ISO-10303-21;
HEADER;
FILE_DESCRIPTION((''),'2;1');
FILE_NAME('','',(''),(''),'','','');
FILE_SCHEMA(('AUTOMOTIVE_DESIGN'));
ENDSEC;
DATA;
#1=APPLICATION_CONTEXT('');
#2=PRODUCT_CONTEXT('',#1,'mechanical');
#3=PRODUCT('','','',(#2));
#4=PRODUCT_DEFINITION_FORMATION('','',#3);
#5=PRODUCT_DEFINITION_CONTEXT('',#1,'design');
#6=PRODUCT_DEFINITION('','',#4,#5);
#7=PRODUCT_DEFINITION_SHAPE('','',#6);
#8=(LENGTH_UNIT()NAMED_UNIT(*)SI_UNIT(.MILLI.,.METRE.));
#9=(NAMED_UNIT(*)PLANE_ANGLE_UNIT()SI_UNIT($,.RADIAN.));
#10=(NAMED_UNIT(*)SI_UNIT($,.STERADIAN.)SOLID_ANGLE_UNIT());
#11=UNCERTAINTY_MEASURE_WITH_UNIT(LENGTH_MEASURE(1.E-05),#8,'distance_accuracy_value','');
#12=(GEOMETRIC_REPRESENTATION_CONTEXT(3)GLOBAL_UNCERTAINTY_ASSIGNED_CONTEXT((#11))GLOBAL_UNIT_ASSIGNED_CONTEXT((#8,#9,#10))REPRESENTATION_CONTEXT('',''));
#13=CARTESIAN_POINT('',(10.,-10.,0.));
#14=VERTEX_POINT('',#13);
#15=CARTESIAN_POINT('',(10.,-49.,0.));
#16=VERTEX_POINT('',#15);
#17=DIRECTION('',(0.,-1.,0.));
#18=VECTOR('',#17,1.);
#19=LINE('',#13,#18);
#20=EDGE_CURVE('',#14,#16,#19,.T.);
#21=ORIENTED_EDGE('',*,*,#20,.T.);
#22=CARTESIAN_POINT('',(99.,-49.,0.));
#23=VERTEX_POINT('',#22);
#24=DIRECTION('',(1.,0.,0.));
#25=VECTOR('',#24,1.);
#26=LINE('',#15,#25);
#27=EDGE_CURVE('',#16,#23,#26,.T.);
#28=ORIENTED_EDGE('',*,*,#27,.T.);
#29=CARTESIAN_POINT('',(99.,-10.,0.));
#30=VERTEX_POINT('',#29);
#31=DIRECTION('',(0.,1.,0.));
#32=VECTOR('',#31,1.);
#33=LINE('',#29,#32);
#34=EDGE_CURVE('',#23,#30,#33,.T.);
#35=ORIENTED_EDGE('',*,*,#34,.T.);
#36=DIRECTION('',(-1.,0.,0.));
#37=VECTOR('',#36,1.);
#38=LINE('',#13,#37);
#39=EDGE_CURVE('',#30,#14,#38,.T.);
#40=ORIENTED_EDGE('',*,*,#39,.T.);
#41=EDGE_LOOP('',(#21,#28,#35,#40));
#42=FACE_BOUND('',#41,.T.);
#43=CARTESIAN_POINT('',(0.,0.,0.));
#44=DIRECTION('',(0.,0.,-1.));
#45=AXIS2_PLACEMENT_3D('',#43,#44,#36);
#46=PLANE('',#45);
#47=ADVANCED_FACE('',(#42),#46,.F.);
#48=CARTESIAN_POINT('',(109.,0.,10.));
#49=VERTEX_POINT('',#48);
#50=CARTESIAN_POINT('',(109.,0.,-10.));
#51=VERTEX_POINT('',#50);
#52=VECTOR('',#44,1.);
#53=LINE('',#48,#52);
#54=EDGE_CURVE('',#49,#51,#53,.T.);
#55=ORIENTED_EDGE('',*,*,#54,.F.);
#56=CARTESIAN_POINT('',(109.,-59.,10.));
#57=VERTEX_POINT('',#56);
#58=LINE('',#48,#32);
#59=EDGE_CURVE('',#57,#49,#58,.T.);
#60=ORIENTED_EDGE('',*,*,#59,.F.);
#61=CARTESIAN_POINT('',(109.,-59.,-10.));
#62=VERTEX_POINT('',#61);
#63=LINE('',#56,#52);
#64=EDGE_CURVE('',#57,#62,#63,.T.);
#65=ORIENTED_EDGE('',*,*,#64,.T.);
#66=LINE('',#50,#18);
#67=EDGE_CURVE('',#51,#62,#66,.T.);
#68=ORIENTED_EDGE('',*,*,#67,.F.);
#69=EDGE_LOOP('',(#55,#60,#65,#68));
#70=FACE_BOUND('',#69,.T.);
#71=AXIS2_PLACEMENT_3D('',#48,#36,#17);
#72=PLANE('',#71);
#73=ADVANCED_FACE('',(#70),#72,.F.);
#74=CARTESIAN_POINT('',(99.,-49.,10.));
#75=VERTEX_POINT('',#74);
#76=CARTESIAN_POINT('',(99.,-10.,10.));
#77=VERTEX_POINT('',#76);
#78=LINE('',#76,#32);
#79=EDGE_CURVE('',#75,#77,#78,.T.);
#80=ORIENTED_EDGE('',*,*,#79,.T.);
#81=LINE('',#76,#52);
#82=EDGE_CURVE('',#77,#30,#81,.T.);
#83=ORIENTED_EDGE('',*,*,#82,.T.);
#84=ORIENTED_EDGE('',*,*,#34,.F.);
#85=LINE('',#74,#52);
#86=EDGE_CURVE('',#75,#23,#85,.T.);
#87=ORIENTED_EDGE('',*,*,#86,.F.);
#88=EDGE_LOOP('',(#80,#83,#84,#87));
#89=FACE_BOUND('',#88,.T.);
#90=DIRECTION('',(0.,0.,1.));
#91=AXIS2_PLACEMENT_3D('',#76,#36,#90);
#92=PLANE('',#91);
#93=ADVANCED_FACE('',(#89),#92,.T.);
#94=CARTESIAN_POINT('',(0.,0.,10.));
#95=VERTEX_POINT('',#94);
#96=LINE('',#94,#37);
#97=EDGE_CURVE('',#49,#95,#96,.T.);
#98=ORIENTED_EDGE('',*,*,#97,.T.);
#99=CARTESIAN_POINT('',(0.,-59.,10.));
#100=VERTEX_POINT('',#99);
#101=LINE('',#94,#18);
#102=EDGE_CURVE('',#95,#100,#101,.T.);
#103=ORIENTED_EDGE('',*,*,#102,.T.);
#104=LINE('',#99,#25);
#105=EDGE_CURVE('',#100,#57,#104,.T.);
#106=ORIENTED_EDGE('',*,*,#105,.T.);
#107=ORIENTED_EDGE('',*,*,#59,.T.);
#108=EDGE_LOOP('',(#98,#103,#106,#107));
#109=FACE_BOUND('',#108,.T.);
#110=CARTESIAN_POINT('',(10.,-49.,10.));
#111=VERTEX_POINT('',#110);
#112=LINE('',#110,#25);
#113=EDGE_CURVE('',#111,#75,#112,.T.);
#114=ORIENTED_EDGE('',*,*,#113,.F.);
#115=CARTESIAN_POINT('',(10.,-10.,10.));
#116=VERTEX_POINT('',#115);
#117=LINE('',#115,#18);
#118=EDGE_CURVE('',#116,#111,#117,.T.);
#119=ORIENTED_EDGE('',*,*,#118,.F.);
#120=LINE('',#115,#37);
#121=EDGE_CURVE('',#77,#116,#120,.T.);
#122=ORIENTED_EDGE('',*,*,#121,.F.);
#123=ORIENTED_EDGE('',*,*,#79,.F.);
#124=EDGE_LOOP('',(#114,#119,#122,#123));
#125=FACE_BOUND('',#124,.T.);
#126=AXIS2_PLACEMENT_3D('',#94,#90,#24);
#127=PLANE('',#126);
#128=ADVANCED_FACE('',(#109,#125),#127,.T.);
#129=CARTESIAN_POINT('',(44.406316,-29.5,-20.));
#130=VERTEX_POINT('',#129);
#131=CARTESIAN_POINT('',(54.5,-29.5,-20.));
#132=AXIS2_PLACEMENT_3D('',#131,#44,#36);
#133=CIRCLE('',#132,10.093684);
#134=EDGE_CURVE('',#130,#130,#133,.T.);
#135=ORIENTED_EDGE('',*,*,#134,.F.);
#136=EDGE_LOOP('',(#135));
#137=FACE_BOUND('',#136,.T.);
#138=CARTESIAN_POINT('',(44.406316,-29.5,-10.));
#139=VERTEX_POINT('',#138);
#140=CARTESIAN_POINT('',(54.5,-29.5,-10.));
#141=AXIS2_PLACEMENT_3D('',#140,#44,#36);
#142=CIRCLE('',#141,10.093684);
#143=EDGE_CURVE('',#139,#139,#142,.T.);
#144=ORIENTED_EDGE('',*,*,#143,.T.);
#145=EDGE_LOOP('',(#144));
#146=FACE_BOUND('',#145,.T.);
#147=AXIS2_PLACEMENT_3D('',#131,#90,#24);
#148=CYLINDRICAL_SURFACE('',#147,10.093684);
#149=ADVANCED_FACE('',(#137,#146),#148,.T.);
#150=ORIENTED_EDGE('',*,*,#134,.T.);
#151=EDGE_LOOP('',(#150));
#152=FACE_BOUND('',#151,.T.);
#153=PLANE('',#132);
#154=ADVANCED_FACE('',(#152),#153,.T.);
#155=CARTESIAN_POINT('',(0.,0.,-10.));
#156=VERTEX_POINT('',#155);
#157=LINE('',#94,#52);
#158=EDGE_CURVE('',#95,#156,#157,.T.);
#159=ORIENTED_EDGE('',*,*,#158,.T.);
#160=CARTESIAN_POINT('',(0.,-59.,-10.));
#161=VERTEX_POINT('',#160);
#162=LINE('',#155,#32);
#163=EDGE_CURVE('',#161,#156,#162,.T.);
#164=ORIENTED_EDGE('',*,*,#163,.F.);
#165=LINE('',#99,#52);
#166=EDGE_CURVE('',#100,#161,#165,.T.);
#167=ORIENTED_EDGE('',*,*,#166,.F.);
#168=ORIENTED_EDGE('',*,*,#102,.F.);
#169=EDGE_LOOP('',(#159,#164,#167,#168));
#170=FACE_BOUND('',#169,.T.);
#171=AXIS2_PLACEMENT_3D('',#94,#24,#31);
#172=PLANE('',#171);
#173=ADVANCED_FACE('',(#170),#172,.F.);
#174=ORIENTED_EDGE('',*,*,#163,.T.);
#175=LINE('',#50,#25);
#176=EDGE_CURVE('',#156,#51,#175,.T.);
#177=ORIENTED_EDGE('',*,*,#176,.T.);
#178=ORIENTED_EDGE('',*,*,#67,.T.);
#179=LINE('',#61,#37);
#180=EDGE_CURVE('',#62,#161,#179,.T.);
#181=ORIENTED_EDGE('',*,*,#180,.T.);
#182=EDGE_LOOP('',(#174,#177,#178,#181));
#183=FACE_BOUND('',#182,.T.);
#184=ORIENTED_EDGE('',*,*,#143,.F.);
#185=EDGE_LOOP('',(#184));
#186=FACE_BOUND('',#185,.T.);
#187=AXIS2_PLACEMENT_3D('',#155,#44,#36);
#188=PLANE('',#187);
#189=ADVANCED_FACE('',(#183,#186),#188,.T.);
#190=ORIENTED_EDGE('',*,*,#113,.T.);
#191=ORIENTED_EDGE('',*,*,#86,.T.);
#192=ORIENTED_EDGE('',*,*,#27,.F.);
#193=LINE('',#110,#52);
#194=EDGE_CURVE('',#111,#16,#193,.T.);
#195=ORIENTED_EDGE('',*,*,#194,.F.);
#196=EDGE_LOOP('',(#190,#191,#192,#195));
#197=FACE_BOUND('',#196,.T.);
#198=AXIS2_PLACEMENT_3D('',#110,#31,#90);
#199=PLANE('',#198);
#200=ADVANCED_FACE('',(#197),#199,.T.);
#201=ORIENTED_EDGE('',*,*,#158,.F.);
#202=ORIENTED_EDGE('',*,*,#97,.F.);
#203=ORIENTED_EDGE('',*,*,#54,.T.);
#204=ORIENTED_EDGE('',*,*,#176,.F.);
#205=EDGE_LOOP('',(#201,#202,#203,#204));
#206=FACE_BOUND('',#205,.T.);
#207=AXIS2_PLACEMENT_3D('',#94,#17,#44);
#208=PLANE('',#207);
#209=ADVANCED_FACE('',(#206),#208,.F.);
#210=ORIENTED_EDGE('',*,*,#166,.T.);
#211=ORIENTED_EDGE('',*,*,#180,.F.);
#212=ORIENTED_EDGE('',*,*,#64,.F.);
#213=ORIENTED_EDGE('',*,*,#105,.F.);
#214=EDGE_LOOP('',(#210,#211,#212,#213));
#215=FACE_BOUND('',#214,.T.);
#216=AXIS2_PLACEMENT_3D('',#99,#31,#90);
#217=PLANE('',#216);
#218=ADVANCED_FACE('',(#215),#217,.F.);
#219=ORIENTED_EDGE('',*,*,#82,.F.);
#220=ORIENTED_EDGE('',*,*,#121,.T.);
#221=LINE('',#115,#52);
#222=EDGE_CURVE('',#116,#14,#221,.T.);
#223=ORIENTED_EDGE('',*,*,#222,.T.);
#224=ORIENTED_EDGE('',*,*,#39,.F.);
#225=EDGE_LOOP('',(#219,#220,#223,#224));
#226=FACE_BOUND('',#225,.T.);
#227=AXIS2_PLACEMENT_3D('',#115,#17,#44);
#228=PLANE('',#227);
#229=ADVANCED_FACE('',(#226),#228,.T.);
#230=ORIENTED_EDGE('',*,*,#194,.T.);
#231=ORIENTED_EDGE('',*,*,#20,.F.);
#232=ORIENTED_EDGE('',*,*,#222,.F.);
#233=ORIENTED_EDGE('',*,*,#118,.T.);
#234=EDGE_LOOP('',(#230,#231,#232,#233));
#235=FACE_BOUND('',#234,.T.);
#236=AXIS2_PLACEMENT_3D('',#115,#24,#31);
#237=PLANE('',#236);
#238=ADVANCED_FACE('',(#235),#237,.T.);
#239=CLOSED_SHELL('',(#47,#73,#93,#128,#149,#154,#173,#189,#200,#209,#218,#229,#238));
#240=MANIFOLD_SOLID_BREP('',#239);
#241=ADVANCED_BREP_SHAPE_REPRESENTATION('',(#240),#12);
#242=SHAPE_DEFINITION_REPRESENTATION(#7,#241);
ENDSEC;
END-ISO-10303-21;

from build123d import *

# Parameters (mm, degrees)
SKETCH1_W           = 109
SKETCH1_H           = 59
SKETCH1_W_2         = 89
SKETCH1_H_2         = 39
BOSS_EXTRUDE1_DEPTH = 10
SKETCH2_W           = 109
SKETCH2_H           = 59
BOSS_EXTRUDE2_DEPTH = 10
SKETCH3_R           = 10.093684064
BOSS_EXTRUDE3_DEPTH = 10


with BuildPart() as part:
    # Sketch1 → Boss-Extrude1 (new body)
    with BuildSketch(Plane.XY):
        with Locations((54.5, -29.5)):
            Rectangle(SKETCH1_W, SKETCH1_H)
        with Locations((54.5, -29.5)):
            Rectangle(SKETCH1_W_2, SKETCH1_H_2, mode=Mode.SUBTRACT)
    extrude(amount=BOSS_EXTRUDE1_DEPTH)

    # Sketch2 → Boss-Extrude2 (add)
    with BuildSketch(Plane(origin=(0, 0, 0), x_dir=(-1, 0, 0), z_dir=(0, 0, -1))):
        with Locations((-54.5, -29.5)):
            Rectangle(SKETCH2_W, SKETCH2_H)
    extrude(amount=BOSS_EXTRUDE2_DEPTH)

    # Sketch3 → Boss-Extrude3 (add)
    with BuildSketch(Plane(origin=(0, 0, -10), x_dir=(-1, 0, 0), z_dir=(0, 0, -1))):
        with Locations((-54.5, -29.5)):
            Circle(SKETCH3_R)
    extrude(amount=BOSS_EXTRUDE3_DEPTH)


solid = part.part
